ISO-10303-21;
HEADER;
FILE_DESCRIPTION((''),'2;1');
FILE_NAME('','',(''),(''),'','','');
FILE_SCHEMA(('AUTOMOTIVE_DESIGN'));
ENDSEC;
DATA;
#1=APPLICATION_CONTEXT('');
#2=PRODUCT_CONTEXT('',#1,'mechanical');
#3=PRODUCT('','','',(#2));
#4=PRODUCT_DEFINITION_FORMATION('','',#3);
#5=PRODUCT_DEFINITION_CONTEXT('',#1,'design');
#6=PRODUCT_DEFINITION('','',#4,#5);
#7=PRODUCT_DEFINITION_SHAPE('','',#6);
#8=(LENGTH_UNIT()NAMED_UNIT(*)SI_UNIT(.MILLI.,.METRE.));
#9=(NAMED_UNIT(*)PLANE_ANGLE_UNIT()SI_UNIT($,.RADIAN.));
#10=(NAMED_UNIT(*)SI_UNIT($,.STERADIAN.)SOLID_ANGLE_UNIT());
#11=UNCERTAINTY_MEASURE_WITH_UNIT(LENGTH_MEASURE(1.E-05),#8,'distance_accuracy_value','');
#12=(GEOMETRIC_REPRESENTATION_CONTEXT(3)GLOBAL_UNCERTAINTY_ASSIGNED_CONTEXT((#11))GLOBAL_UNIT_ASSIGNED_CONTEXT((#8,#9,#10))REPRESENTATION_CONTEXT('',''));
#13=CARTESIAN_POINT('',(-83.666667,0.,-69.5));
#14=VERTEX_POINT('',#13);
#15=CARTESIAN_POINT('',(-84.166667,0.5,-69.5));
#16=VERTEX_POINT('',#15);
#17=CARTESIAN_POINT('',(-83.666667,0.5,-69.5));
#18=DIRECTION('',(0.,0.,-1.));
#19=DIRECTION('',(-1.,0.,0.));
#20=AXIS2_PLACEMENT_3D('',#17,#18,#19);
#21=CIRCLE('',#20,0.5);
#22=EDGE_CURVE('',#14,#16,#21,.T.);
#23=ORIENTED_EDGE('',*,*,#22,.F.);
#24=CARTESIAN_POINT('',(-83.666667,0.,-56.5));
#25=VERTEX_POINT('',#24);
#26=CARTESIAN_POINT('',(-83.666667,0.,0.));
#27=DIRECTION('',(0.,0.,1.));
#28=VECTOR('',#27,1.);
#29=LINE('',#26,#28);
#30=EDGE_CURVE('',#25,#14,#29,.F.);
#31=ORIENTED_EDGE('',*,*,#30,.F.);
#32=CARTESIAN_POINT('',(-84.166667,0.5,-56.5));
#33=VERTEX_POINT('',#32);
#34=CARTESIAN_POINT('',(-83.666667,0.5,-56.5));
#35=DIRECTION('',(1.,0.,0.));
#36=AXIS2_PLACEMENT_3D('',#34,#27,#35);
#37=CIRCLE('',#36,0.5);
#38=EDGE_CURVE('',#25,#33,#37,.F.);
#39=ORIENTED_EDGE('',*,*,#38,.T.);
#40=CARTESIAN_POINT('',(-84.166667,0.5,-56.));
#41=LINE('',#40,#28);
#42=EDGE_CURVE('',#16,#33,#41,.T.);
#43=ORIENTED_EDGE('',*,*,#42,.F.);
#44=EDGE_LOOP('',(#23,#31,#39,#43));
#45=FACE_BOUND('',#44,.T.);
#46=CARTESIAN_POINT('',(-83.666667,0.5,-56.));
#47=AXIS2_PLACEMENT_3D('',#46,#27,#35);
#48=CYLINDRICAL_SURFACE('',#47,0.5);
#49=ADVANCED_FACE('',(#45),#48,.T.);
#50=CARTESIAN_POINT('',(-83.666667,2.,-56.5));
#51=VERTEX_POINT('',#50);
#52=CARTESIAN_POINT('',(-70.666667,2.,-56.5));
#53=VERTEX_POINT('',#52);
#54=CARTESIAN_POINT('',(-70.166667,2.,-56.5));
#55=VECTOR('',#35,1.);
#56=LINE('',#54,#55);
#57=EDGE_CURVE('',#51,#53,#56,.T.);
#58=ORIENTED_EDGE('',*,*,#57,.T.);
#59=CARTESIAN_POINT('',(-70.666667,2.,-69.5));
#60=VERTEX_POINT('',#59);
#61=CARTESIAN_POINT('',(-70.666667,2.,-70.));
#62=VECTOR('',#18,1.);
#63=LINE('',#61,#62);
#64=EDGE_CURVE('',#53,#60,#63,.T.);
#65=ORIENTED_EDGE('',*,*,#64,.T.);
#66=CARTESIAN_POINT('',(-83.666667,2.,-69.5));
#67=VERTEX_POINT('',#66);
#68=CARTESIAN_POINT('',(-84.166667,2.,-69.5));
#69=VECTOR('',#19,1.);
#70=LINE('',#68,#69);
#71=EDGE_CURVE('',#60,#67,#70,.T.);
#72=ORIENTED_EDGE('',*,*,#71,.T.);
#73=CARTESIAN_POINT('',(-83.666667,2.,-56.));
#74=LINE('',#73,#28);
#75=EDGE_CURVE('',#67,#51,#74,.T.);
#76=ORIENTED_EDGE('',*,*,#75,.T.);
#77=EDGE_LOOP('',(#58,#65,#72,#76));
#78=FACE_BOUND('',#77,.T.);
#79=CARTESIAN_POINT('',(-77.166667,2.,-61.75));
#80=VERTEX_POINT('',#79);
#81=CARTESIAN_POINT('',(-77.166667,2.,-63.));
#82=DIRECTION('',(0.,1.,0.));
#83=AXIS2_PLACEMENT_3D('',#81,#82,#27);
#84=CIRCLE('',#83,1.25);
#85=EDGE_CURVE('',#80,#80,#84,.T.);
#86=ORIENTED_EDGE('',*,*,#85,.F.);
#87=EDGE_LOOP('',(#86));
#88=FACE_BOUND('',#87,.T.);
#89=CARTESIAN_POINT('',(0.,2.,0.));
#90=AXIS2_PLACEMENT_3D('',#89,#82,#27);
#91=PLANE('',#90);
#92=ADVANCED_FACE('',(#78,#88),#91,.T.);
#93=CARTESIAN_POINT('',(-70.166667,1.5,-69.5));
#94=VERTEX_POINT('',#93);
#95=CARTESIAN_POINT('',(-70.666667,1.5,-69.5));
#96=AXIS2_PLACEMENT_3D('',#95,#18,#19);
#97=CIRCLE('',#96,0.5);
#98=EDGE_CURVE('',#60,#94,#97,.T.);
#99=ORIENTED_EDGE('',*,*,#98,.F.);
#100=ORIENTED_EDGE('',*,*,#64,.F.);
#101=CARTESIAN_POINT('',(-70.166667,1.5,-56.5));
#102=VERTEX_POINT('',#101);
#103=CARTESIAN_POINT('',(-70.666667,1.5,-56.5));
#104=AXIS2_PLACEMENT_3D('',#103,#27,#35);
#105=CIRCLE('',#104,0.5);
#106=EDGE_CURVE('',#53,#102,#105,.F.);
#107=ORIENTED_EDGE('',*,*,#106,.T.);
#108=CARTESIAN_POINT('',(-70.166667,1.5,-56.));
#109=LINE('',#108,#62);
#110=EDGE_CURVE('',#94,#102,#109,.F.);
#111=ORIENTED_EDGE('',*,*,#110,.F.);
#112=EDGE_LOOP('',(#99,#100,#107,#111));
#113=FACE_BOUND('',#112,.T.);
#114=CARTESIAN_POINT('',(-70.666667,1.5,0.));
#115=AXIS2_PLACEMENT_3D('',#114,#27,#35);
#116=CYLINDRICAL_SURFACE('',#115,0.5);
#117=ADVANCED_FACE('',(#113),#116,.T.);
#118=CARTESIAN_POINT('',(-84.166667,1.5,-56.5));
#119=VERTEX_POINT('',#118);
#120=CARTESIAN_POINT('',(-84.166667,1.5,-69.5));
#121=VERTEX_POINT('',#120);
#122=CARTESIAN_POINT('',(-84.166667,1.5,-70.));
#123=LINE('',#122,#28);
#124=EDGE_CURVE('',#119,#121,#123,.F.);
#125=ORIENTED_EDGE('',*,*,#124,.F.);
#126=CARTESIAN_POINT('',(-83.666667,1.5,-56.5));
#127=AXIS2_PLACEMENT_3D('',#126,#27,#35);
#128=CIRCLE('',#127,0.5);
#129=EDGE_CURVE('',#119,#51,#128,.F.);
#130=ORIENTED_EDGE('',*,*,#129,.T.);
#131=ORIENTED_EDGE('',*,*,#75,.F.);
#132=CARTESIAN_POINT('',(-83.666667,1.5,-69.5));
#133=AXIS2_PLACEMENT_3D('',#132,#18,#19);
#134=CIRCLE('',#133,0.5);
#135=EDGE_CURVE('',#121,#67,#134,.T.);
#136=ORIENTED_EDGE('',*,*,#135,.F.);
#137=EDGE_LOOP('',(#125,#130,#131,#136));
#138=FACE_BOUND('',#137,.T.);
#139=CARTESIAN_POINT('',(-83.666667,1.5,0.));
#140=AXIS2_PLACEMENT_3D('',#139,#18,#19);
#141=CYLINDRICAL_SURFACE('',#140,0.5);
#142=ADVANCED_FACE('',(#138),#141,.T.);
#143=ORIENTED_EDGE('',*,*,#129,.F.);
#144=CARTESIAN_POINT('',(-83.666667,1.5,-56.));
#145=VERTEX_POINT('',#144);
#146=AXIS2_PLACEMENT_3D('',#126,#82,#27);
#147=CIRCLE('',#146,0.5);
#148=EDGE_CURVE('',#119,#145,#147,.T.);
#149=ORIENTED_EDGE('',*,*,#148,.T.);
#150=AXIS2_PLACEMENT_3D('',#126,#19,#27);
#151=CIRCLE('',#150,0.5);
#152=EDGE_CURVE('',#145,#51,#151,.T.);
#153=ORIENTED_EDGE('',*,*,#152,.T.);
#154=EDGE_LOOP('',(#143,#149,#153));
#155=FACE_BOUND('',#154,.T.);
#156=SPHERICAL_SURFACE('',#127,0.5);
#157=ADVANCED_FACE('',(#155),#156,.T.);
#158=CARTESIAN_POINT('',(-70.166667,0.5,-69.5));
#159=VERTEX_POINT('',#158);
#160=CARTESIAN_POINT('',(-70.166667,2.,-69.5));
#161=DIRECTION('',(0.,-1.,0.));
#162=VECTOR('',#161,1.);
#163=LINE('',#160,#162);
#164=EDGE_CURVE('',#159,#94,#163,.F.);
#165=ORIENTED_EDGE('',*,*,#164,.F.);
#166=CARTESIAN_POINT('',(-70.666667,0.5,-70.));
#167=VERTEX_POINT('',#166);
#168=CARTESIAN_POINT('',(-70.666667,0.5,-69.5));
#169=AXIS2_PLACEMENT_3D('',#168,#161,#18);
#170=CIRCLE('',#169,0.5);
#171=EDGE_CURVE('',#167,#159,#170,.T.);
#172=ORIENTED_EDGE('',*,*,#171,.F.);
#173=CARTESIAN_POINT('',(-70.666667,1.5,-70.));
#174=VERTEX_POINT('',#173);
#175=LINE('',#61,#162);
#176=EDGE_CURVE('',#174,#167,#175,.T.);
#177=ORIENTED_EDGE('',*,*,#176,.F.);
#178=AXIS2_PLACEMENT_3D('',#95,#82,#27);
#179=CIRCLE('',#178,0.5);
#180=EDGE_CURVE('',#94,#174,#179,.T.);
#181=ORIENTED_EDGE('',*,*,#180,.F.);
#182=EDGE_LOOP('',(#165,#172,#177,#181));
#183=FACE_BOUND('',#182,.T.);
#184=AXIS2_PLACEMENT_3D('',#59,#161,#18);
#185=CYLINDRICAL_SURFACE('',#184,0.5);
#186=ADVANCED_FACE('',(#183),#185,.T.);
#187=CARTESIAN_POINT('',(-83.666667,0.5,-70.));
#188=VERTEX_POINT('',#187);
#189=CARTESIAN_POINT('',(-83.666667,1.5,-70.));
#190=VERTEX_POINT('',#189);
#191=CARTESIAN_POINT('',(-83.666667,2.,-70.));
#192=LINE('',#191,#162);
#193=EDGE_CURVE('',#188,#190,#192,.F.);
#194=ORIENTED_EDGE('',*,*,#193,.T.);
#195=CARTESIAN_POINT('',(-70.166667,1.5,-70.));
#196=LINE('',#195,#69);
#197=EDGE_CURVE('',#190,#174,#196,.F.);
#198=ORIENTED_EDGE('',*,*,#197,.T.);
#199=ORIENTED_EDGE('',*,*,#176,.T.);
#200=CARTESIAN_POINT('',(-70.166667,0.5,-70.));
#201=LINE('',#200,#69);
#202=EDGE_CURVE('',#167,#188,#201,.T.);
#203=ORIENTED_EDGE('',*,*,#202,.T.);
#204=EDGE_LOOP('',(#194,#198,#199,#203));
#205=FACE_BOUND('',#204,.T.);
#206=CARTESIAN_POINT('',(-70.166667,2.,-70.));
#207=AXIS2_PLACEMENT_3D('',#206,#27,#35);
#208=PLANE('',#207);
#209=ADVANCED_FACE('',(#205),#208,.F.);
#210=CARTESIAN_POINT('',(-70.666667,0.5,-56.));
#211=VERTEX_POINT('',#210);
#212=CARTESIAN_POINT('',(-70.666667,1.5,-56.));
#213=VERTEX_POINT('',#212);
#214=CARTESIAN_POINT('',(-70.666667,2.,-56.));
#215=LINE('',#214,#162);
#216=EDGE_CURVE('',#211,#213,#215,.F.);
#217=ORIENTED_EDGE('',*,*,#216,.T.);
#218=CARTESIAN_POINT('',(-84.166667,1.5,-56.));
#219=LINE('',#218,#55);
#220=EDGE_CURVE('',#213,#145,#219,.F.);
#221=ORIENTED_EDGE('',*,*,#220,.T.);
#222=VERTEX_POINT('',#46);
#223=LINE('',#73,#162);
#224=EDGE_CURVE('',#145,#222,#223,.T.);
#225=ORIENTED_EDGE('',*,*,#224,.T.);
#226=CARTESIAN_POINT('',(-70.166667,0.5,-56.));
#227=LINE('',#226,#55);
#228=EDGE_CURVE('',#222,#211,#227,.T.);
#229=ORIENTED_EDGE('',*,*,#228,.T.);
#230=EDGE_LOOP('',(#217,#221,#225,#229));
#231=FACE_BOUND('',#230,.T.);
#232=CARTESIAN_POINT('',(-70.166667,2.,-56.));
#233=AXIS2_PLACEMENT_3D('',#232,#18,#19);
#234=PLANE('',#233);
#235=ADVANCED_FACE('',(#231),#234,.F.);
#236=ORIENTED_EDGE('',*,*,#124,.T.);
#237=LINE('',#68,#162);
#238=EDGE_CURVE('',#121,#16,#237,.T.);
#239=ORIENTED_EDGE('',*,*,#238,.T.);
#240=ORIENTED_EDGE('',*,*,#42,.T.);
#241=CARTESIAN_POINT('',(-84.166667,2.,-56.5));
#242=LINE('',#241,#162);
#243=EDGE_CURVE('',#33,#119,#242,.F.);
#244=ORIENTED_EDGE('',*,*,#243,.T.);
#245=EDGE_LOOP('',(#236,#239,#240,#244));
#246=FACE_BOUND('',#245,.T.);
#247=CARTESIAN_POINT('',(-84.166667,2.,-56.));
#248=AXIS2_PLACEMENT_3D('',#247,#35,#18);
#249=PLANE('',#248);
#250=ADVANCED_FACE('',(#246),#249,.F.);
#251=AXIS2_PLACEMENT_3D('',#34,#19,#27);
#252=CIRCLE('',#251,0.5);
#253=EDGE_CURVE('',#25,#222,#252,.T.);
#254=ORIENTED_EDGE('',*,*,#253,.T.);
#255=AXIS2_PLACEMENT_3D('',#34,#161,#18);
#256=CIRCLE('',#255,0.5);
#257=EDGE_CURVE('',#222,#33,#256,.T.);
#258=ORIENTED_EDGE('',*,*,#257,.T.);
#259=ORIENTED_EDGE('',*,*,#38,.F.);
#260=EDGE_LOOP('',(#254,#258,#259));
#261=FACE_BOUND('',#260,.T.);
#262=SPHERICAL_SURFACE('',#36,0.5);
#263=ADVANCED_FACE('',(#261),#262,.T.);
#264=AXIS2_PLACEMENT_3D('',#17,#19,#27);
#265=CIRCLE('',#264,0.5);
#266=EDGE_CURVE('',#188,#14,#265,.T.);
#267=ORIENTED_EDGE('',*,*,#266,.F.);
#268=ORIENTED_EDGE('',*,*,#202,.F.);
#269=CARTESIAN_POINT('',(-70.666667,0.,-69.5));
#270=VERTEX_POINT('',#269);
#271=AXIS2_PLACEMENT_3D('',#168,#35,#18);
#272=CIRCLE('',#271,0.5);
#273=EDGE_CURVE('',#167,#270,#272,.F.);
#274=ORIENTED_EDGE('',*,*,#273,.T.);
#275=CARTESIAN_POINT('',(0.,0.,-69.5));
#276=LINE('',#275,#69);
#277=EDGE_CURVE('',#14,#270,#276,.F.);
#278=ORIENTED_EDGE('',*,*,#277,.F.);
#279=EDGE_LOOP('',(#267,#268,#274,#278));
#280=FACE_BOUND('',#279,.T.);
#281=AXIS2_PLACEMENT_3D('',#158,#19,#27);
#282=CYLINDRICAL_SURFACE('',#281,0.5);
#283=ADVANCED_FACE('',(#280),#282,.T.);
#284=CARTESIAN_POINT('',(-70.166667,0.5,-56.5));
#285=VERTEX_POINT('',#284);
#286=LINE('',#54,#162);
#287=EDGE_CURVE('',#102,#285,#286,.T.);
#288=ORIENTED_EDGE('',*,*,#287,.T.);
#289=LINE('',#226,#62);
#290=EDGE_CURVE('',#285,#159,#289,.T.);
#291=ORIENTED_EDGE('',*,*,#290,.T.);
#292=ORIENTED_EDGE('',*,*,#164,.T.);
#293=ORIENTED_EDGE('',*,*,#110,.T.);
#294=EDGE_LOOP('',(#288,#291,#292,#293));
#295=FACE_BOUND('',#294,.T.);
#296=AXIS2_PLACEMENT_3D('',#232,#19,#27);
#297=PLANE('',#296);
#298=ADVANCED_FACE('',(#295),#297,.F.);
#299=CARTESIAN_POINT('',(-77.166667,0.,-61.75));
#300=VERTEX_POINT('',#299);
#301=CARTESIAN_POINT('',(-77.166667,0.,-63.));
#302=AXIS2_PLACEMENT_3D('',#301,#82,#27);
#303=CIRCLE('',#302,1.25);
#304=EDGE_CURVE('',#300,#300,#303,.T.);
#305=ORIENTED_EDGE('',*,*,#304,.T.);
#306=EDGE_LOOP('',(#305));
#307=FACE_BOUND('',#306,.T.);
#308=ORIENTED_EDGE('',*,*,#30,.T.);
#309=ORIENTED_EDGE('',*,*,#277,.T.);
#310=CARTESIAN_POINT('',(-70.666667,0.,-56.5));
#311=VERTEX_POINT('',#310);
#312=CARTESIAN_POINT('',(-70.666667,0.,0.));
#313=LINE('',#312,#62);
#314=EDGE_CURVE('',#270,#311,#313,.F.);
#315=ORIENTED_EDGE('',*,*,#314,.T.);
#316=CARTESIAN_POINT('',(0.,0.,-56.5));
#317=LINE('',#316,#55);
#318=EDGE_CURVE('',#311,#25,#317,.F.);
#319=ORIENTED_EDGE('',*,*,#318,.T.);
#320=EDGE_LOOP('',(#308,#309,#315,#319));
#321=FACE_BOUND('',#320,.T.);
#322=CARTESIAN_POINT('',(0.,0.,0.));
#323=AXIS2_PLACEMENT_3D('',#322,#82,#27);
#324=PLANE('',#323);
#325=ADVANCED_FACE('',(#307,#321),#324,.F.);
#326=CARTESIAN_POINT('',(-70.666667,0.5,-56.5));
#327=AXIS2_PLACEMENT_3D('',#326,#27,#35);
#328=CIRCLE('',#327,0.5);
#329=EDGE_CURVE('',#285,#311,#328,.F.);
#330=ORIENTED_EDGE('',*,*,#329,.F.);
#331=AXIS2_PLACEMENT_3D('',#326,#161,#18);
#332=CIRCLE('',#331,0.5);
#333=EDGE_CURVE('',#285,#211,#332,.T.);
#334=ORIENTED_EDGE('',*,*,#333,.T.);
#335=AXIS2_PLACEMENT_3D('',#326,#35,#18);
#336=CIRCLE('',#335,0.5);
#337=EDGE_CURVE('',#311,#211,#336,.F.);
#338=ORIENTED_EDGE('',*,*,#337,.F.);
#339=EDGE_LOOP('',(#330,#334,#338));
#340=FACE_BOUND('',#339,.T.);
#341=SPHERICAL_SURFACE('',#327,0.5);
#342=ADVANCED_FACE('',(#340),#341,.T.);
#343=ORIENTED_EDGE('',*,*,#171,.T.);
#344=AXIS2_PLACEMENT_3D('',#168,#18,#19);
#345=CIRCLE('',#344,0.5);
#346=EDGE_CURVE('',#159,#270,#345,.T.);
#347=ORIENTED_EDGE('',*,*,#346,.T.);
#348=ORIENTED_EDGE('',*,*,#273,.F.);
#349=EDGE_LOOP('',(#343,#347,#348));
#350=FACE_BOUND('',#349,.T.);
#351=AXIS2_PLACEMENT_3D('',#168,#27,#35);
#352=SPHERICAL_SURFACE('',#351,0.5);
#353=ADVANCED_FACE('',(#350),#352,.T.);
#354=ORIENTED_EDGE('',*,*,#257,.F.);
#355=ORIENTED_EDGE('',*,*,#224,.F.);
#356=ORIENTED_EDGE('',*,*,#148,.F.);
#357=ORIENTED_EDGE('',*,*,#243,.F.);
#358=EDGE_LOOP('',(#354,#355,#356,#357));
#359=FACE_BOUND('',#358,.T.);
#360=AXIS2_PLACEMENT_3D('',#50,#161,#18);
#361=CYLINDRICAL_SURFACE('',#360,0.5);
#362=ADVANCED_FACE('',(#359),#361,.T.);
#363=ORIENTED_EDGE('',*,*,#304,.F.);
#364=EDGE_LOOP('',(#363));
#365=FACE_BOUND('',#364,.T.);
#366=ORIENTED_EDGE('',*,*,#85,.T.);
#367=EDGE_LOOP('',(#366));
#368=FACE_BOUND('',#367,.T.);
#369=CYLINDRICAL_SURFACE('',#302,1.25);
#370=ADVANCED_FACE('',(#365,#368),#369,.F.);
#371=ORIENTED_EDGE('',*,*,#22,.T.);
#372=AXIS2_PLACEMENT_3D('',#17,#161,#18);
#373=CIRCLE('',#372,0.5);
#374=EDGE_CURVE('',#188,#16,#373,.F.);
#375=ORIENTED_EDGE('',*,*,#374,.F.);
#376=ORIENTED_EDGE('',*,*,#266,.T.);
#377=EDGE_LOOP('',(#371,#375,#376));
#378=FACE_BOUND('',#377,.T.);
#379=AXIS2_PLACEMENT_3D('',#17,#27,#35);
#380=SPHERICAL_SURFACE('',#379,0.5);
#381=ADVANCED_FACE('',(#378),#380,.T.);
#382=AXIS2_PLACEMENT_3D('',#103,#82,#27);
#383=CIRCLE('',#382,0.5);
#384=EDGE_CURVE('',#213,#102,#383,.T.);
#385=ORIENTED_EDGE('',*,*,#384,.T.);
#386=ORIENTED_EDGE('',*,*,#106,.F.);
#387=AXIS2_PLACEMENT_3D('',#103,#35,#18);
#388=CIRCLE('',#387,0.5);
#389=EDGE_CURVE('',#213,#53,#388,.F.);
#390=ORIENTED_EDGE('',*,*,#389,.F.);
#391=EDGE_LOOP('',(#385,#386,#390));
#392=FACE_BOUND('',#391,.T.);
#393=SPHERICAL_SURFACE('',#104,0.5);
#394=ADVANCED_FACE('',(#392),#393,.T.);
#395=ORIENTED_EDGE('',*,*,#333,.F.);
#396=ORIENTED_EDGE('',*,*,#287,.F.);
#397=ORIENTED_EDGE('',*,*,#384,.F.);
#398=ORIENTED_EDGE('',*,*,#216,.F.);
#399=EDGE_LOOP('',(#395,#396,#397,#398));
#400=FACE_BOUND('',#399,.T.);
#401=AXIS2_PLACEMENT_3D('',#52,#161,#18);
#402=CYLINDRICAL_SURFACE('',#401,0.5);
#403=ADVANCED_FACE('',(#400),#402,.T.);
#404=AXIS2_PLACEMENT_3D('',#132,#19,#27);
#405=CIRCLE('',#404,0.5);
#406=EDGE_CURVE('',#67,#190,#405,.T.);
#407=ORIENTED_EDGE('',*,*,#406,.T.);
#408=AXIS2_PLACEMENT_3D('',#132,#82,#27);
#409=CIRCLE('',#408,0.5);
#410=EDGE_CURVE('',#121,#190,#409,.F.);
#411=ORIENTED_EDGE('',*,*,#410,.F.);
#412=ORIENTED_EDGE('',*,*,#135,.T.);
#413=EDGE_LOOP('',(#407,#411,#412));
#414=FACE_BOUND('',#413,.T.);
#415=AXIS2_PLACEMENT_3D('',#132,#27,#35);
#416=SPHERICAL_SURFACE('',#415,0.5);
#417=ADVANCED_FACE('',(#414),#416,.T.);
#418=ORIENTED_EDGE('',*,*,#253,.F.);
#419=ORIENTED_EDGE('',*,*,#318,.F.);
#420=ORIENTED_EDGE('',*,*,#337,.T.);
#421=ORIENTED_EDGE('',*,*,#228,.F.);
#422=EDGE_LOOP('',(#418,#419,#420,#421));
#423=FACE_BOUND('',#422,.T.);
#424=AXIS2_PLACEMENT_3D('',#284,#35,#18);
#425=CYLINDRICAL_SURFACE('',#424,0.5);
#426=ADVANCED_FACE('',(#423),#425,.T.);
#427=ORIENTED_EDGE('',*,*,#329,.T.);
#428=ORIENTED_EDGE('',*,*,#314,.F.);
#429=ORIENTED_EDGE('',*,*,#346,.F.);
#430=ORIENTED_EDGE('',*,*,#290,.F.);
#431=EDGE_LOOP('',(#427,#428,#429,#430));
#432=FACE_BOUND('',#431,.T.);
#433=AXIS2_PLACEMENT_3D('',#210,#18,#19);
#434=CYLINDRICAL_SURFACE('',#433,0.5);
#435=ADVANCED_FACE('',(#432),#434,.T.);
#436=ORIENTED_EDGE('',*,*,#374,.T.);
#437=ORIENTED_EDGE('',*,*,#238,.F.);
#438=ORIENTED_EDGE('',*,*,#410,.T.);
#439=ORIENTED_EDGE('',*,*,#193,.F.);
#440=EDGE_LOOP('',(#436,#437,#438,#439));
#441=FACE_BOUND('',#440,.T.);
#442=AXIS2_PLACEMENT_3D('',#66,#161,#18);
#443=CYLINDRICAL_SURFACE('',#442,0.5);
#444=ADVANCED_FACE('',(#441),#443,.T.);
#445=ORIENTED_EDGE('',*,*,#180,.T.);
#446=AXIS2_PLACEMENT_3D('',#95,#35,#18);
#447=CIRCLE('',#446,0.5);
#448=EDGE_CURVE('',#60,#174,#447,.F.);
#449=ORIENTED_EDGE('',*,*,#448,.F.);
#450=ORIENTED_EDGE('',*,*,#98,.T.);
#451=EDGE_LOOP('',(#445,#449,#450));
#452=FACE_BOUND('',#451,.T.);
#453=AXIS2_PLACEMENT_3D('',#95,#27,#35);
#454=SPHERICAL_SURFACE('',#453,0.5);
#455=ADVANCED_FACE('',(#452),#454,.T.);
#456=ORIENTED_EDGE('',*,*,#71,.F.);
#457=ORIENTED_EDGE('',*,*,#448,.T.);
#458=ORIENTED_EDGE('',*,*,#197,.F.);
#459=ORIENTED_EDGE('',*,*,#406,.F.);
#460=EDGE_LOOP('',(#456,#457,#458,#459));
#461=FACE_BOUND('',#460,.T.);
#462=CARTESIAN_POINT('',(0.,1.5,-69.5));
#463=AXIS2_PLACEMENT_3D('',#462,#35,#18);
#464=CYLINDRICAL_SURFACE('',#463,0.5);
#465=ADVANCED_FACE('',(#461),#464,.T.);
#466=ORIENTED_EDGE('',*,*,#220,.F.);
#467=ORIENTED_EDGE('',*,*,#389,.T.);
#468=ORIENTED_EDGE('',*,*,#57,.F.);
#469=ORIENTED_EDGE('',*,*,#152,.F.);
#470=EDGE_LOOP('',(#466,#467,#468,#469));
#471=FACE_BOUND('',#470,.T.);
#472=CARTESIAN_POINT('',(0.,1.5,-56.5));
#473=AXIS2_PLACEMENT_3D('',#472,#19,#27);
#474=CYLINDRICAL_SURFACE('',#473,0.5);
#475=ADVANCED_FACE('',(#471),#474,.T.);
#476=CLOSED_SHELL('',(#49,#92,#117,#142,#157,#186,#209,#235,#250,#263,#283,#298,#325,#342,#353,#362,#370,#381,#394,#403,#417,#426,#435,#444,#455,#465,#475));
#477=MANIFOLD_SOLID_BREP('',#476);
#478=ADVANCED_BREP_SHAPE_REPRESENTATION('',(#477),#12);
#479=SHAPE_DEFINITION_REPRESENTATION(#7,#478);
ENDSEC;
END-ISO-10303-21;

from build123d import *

# Parameters (mm, degrees)
SKETCH1_W           = 14
SKETCH1_H           = 14
BOSS_EXTRUDE1_DEPTH = 2
FILLET1_R           = 0.5
SKETCH2_R           = 1.25
CUT_EXTRUDE1_DEPTH  = 2


with BuildPart() as part:
    # Sketch1 → Boss-Extrude1 (new body)
    with BuildSketch(Plane(origin=(0, 0, 0), x_dir=(1, 0, 0), z_dir=(0, 1, 0))):
        with Locations((-77.166666667, 63)):
            Rectangle(SKETCH1_W, SKETCH1_H)
    extrude(amount=BOSS_EXTRUDE1_DEPTH)

    # Fillet1
    fillet1_edges = [part.edges().sort_by_distance(p)[0] for p in [
        (-70.166666667, 2, -63),
        (-77.166666667, 2, -70),
        (-84.166666667, 2, -63),
        (-77.166666667, 0, -70),
        (-70.166666667, 0, -63),
        (-77.166666667, 0, -56),
        (-84.166666667, 0, -63),
        (-77.166666667, 2, -56),
        (-84.166666667, 1, -70),
        (-70.166666667, 1, -70),
        (-70.166666667, 1, -56),
        (-84.166666667, 1, -56),
    ]]
    fillet(fillet1_edges, radius=FILLET1_R)

    # Sketch2 → Cut-Extrude1 (cut)
    with BuildSketch(Plane(origin=(0, 2, 0), x_dir=(1, 0, 0), z_dir=(0, 1, 0))):
        with Locations(Location((-77.166666667, 63, 0), (0, 0, 270))):
            Circle(SKETCH2_R)
    extrude(amount=-CUT_EXTRUDE1_DEPTH, mode=Mode.SUBTRACT)


solid = part.part
